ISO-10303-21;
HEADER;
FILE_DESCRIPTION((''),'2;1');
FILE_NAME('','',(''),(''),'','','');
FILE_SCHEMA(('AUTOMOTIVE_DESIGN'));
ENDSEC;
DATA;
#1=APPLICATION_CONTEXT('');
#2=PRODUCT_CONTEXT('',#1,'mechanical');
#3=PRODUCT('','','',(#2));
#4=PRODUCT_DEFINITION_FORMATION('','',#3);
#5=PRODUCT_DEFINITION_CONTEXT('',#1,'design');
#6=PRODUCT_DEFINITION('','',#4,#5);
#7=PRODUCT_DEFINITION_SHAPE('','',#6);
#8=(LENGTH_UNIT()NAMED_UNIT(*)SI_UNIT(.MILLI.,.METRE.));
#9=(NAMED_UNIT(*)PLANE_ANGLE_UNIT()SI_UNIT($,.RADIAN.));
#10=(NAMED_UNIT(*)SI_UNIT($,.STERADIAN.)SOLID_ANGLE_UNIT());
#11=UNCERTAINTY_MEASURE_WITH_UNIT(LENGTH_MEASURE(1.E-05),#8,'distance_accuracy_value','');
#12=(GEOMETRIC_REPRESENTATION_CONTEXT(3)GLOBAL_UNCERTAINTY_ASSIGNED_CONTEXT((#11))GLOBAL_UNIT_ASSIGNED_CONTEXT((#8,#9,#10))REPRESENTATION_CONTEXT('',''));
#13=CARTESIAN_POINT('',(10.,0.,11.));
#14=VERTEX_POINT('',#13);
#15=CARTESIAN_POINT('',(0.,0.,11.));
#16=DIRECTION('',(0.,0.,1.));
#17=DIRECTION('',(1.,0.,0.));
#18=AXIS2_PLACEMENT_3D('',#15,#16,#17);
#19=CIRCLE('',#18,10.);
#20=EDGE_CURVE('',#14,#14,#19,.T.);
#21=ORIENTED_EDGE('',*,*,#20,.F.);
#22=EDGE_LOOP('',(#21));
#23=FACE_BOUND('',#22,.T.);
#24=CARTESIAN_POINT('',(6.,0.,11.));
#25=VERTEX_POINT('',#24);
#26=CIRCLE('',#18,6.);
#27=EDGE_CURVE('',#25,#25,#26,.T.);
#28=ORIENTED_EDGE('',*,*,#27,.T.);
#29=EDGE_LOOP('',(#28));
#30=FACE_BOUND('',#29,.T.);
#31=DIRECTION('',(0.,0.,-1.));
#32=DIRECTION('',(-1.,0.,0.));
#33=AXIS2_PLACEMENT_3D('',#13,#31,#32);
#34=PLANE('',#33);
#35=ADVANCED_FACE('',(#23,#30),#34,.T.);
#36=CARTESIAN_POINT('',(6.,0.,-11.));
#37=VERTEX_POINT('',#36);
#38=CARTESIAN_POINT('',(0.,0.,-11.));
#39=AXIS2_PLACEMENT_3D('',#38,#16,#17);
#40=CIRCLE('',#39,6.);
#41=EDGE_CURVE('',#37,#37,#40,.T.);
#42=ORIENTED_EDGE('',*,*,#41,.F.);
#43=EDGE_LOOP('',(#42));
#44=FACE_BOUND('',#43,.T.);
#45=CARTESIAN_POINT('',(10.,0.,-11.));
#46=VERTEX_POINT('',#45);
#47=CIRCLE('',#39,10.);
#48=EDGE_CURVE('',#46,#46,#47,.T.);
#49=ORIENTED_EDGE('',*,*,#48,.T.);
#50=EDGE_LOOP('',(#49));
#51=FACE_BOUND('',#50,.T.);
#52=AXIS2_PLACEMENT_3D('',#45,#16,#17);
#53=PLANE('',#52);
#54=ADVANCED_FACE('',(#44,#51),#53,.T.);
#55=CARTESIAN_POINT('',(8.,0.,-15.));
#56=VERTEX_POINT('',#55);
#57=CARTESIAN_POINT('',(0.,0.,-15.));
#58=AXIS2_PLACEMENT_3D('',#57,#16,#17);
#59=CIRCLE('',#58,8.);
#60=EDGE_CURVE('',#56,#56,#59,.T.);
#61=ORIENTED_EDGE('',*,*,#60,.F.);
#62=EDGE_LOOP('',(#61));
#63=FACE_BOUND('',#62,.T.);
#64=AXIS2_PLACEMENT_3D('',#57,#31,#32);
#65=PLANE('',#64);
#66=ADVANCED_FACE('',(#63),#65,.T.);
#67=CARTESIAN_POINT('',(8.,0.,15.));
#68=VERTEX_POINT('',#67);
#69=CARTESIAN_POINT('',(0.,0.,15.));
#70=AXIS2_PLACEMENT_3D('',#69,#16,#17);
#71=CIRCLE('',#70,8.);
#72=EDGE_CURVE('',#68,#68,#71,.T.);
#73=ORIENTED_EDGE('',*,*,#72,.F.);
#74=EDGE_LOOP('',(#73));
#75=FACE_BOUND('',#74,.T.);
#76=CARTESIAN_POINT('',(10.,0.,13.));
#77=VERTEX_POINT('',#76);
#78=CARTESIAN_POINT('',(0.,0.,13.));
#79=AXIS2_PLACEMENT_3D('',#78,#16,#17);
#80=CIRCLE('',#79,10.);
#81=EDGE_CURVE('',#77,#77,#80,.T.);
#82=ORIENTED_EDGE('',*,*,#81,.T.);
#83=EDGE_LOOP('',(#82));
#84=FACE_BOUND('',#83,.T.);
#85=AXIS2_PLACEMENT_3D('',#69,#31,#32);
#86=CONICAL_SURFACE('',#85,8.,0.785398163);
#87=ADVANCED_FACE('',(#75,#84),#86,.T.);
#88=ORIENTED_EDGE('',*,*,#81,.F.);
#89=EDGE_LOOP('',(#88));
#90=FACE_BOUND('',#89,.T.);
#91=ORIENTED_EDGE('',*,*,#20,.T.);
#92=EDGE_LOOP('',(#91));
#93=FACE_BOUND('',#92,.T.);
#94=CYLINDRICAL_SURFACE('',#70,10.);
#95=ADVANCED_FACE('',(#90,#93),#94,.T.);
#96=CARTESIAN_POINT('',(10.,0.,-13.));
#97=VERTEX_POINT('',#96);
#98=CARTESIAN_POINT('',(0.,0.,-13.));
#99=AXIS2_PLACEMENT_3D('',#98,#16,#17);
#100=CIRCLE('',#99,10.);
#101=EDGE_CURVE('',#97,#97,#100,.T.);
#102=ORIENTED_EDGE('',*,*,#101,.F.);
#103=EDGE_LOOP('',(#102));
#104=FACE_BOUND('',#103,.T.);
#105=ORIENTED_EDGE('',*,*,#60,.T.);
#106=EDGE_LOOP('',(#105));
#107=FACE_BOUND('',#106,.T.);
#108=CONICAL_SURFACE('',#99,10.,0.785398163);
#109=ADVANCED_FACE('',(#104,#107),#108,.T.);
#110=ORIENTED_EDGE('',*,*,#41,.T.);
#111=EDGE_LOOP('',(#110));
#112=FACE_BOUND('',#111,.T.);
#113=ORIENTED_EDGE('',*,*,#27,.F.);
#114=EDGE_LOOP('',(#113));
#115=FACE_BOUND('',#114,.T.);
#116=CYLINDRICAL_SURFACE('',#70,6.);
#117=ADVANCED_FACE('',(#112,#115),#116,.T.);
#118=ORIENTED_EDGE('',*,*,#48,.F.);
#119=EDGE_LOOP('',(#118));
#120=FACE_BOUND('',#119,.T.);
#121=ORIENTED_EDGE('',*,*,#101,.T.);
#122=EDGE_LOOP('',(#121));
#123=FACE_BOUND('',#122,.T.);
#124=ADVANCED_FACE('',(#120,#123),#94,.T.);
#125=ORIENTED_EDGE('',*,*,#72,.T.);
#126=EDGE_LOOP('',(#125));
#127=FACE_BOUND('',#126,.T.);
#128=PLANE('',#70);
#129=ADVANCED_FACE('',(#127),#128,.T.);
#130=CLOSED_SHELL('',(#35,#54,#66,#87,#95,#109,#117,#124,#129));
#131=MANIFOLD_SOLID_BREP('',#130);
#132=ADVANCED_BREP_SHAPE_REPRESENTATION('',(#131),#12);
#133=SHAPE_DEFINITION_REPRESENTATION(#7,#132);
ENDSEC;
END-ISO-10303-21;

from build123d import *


with BuildPart() as part:
    # Sketch1 → Revolve1 (revolve)
    with BuildSketch(Plane(origin=(0, 0, 0), x_dir=(1, 0, 0), z_dir=(0, 1, 0))):
        Polygon((0, 15), (8, 15), (10, 13), (10, 11), (6, 11), (6, -11), (10, -11), (10, -13), (8, -15), (0, -15), align=None)
    revolve(axis=Axis((0, 0, 15), (0, 0, -1)))


solid = part.part
